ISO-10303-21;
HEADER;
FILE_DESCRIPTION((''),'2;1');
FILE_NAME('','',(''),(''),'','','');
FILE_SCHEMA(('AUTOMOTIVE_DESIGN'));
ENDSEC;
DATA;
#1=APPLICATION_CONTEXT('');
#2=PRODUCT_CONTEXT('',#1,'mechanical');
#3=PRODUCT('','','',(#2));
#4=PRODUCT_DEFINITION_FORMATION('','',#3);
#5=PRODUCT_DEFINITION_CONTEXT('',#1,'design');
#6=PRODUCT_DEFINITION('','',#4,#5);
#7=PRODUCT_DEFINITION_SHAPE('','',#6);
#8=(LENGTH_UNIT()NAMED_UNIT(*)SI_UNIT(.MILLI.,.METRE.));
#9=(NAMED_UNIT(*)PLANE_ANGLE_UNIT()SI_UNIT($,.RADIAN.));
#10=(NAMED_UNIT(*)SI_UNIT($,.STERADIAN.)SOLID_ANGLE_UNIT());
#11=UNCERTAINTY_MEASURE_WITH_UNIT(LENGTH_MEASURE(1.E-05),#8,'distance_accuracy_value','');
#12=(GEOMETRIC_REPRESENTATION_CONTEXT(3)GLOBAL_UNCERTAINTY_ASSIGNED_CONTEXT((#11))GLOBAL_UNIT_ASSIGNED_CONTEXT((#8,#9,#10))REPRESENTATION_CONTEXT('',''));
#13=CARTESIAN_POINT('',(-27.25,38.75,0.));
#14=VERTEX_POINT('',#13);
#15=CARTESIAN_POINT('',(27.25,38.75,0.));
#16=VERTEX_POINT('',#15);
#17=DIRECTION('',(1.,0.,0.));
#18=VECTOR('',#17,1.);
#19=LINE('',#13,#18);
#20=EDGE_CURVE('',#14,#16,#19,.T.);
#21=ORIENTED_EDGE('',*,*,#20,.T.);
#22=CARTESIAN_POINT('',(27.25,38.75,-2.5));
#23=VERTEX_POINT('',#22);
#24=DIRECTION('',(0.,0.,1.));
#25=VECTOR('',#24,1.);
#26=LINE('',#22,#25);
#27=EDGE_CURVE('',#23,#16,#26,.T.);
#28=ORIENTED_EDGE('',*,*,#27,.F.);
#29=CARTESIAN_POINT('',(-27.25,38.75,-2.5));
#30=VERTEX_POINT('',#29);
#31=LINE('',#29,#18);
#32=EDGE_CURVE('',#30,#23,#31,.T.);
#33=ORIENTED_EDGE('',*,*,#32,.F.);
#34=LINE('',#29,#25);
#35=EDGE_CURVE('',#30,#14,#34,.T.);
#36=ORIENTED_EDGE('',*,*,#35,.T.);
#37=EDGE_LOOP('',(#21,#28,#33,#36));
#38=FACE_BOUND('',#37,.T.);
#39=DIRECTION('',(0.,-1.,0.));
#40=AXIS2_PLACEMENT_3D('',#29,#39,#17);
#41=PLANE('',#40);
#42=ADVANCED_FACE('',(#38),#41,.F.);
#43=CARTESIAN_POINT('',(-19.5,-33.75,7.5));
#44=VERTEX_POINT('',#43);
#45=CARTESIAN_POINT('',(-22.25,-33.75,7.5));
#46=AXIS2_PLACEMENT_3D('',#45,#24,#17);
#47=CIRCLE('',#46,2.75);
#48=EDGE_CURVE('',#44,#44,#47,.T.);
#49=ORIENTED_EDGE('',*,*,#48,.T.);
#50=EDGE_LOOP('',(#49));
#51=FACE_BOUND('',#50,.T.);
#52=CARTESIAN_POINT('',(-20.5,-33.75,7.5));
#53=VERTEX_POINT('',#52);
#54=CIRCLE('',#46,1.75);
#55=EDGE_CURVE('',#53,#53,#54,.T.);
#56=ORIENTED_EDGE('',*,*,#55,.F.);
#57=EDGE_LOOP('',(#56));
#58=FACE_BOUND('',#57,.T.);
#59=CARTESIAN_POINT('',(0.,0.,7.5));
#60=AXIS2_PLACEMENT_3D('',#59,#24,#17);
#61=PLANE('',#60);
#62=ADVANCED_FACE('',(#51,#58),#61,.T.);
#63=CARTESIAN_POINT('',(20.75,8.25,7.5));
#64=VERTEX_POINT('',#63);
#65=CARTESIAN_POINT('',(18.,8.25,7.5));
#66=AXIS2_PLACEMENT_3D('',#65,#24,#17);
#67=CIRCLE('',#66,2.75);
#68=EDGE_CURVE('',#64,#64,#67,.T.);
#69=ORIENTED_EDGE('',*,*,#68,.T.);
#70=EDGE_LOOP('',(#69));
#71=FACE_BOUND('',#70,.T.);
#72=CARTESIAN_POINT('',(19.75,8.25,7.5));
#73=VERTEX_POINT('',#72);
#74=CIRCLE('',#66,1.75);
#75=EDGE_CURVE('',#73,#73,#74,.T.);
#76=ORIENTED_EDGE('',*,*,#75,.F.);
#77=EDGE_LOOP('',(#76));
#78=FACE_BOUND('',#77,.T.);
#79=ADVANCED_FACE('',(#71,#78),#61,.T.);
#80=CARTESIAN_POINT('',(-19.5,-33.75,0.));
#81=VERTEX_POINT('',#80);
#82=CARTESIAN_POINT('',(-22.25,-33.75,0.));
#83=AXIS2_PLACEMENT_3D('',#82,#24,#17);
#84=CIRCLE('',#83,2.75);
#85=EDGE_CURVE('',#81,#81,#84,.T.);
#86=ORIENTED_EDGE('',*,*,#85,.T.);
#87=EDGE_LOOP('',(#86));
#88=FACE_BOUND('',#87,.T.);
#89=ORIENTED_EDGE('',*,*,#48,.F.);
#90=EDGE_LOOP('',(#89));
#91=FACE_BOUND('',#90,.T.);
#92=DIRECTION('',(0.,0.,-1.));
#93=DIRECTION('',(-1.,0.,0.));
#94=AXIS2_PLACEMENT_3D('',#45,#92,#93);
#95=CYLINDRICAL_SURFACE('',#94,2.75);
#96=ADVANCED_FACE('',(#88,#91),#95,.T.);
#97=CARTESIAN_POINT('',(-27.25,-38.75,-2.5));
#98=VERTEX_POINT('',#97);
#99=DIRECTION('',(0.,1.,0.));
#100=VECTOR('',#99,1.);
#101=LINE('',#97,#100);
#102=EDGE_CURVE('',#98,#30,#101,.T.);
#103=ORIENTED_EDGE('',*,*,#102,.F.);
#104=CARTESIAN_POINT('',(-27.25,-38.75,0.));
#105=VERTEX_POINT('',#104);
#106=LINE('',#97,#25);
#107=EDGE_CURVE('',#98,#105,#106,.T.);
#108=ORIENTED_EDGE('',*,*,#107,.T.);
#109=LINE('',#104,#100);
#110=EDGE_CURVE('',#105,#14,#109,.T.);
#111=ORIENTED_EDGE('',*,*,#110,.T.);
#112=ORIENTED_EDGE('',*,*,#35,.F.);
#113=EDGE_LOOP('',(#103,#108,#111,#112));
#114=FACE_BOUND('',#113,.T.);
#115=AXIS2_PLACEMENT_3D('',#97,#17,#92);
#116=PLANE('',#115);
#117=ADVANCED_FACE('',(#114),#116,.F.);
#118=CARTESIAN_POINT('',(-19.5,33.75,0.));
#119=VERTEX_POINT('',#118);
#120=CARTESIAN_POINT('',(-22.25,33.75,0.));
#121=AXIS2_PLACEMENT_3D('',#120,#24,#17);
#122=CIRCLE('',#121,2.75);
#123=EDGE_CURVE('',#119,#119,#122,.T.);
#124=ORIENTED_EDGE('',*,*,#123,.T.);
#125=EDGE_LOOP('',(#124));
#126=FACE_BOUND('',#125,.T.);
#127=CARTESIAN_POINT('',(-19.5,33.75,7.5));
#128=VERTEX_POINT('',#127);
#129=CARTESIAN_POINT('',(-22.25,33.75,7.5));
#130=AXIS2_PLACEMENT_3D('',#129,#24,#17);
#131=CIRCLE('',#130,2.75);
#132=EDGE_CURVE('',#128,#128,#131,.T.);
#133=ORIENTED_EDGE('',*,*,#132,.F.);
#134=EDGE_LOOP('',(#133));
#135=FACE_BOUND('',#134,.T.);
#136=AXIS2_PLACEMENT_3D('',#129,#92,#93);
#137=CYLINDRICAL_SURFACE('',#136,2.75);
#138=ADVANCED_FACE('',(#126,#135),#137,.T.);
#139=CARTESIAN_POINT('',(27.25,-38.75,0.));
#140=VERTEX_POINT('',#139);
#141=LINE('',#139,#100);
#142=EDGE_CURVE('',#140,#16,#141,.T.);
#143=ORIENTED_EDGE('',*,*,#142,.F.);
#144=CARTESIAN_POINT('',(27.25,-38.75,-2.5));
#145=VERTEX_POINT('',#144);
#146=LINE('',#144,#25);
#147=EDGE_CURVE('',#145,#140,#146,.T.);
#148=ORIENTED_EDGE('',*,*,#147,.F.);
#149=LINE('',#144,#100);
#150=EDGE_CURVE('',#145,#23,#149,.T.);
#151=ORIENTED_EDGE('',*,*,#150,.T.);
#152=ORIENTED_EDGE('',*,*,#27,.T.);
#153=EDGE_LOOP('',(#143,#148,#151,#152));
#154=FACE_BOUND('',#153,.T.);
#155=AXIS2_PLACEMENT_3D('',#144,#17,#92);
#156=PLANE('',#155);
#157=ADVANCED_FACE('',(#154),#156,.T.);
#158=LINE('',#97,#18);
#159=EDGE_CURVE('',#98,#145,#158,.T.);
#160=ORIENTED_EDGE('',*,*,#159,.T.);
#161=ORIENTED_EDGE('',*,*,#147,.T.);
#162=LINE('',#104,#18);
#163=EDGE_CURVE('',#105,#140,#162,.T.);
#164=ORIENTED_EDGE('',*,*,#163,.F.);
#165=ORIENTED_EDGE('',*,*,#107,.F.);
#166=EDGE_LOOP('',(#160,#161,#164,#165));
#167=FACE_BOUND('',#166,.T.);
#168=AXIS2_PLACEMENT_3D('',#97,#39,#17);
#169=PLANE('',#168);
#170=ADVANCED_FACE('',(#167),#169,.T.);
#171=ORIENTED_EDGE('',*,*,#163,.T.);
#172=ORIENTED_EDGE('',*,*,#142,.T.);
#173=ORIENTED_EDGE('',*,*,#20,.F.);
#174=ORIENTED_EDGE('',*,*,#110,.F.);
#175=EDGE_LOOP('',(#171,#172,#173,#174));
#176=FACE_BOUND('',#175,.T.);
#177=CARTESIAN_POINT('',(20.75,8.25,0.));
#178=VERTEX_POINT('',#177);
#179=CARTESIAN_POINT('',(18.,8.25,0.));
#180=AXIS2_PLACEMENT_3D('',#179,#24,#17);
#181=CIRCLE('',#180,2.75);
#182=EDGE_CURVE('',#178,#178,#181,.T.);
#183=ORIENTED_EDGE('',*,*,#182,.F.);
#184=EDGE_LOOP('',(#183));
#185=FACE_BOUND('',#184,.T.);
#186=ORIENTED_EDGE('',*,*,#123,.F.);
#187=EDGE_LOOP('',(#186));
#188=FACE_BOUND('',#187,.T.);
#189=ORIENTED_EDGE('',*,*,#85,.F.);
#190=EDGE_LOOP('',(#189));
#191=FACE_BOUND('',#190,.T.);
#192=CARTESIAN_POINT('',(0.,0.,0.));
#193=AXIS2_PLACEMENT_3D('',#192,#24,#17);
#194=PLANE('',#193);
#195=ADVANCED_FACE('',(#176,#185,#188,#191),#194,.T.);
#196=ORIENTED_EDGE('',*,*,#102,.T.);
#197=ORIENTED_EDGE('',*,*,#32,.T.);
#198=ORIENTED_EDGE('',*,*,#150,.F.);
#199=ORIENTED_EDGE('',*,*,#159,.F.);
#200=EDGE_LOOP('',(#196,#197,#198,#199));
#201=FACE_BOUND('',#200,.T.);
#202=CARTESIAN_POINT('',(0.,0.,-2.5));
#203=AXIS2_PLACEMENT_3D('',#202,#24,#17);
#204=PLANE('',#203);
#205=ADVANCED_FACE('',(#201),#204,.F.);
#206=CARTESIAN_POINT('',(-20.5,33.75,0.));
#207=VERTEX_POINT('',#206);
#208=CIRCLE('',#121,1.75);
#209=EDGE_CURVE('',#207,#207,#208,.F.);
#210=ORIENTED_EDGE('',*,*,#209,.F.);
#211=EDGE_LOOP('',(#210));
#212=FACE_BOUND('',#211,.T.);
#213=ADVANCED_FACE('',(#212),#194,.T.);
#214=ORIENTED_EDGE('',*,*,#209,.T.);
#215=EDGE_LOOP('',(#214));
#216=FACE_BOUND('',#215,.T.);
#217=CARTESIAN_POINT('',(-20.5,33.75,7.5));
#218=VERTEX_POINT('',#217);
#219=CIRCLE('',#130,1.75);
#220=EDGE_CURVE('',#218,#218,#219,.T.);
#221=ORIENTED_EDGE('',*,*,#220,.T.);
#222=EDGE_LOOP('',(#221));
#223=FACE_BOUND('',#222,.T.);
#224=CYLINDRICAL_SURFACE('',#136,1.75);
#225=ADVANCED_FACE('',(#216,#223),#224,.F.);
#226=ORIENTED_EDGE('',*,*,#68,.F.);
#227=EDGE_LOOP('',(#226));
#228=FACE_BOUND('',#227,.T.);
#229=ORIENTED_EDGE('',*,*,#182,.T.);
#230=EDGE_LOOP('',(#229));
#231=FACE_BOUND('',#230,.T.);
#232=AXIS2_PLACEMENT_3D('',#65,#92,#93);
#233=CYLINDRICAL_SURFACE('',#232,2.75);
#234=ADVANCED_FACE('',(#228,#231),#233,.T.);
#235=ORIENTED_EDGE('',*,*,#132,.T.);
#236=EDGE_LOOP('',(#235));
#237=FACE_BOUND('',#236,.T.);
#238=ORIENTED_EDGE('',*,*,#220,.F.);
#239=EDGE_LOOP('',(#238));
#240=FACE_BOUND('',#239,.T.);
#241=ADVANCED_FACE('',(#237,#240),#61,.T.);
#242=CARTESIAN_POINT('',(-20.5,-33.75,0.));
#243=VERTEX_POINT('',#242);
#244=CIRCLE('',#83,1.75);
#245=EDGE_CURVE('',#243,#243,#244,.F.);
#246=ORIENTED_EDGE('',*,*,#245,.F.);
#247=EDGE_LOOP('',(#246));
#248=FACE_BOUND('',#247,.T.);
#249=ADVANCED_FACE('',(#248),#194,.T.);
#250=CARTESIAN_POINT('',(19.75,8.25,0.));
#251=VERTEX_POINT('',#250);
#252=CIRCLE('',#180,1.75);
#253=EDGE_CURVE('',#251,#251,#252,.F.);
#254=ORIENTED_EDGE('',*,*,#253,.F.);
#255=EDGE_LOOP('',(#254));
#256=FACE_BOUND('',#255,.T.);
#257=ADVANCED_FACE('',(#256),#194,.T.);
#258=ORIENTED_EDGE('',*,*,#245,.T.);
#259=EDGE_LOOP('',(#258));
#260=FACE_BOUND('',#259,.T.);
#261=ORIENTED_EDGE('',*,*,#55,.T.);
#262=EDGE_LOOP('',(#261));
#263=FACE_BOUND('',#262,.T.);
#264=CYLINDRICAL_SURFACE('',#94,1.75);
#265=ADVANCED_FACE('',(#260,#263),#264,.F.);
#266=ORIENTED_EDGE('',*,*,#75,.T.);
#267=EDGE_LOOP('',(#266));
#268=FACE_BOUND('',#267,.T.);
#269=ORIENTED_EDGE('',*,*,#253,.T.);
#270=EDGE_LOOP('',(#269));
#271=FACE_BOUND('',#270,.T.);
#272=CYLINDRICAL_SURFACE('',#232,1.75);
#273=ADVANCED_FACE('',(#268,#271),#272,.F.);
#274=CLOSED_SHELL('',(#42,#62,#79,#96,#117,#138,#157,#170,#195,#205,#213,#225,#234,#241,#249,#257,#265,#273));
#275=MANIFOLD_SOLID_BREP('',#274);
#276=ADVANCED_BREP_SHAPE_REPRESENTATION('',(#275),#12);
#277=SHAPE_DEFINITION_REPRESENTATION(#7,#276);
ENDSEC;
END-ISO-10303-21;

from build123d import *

# Parameters (mm, degrees)
SKETCH1_W           = 77.5
SKETCH1_H           = 54.5
BOSS_EXTRUDE1_DEPTH = 2.5
SKETCH1_5_R         = 2.75
SKETCH1_5_R_2       = 1.75
BOSS_EXTRUDE2_DEPTH = 7.5


with BuildPart() as part:
    # Sketch1 → Boss-Extrude1 (new body)
    with BuildSketch(Plane(origin=(0, 0, 0), x_dir=(0, 1, 0), z_dir=(0, 0, 1))):
        Rectangle(SKETCH1_W, SKETCH1_H)
    extrude(amount=-BOSS_EXTRUDE1_DEPTH)

    # Sketch1<5> → Boss-Extrude2 (add)
    # profile 1 of 3: a face of its own
    with BuildSketch(Plane(origin=(0, 0, 0), x_dir=(0, 1, 0), z_dir=(0, 0, 1))):
        with Locations((-33.75, 22.25)):
            Circle(SKETCH1_5_R)
        with Locations((-33.75, 22.25)):
            Circle(SKETCH1_5_R_2, mode=Mode.SUBTRACT)
    # profile 2 of 3: a face of its own
    with BuildSketch(Plane(origin=(0, 0, 0), x_dir=(0, 1, 0), z_dir=(0, 0, 1))):
        with Locations((33.75, 22.25)):
            Circle(SKETCH1_5_R)
        with Locations((33.75, 22.25)):
            Circle(SKETCH1_5_R_2, mode=Mode.SUBTRACT)
    # profile 3 of 3: a face of its own
    with BuildSketch(Plane(origin=(0, 0, 0), x_dir=(0, 1, 0), z_dir=(0, 0, 1))):
        with Locations((8.25, -18)):
            Circle(SKETCH1_5_R)
        with Locations((8.25, -18)):
            Circle(SKETCH1_5_R_2, mode=Mode.SUBTRACT)
    extrude(amount=BOSS_EXTRUDE2_DEPTH)


solid = part.part
